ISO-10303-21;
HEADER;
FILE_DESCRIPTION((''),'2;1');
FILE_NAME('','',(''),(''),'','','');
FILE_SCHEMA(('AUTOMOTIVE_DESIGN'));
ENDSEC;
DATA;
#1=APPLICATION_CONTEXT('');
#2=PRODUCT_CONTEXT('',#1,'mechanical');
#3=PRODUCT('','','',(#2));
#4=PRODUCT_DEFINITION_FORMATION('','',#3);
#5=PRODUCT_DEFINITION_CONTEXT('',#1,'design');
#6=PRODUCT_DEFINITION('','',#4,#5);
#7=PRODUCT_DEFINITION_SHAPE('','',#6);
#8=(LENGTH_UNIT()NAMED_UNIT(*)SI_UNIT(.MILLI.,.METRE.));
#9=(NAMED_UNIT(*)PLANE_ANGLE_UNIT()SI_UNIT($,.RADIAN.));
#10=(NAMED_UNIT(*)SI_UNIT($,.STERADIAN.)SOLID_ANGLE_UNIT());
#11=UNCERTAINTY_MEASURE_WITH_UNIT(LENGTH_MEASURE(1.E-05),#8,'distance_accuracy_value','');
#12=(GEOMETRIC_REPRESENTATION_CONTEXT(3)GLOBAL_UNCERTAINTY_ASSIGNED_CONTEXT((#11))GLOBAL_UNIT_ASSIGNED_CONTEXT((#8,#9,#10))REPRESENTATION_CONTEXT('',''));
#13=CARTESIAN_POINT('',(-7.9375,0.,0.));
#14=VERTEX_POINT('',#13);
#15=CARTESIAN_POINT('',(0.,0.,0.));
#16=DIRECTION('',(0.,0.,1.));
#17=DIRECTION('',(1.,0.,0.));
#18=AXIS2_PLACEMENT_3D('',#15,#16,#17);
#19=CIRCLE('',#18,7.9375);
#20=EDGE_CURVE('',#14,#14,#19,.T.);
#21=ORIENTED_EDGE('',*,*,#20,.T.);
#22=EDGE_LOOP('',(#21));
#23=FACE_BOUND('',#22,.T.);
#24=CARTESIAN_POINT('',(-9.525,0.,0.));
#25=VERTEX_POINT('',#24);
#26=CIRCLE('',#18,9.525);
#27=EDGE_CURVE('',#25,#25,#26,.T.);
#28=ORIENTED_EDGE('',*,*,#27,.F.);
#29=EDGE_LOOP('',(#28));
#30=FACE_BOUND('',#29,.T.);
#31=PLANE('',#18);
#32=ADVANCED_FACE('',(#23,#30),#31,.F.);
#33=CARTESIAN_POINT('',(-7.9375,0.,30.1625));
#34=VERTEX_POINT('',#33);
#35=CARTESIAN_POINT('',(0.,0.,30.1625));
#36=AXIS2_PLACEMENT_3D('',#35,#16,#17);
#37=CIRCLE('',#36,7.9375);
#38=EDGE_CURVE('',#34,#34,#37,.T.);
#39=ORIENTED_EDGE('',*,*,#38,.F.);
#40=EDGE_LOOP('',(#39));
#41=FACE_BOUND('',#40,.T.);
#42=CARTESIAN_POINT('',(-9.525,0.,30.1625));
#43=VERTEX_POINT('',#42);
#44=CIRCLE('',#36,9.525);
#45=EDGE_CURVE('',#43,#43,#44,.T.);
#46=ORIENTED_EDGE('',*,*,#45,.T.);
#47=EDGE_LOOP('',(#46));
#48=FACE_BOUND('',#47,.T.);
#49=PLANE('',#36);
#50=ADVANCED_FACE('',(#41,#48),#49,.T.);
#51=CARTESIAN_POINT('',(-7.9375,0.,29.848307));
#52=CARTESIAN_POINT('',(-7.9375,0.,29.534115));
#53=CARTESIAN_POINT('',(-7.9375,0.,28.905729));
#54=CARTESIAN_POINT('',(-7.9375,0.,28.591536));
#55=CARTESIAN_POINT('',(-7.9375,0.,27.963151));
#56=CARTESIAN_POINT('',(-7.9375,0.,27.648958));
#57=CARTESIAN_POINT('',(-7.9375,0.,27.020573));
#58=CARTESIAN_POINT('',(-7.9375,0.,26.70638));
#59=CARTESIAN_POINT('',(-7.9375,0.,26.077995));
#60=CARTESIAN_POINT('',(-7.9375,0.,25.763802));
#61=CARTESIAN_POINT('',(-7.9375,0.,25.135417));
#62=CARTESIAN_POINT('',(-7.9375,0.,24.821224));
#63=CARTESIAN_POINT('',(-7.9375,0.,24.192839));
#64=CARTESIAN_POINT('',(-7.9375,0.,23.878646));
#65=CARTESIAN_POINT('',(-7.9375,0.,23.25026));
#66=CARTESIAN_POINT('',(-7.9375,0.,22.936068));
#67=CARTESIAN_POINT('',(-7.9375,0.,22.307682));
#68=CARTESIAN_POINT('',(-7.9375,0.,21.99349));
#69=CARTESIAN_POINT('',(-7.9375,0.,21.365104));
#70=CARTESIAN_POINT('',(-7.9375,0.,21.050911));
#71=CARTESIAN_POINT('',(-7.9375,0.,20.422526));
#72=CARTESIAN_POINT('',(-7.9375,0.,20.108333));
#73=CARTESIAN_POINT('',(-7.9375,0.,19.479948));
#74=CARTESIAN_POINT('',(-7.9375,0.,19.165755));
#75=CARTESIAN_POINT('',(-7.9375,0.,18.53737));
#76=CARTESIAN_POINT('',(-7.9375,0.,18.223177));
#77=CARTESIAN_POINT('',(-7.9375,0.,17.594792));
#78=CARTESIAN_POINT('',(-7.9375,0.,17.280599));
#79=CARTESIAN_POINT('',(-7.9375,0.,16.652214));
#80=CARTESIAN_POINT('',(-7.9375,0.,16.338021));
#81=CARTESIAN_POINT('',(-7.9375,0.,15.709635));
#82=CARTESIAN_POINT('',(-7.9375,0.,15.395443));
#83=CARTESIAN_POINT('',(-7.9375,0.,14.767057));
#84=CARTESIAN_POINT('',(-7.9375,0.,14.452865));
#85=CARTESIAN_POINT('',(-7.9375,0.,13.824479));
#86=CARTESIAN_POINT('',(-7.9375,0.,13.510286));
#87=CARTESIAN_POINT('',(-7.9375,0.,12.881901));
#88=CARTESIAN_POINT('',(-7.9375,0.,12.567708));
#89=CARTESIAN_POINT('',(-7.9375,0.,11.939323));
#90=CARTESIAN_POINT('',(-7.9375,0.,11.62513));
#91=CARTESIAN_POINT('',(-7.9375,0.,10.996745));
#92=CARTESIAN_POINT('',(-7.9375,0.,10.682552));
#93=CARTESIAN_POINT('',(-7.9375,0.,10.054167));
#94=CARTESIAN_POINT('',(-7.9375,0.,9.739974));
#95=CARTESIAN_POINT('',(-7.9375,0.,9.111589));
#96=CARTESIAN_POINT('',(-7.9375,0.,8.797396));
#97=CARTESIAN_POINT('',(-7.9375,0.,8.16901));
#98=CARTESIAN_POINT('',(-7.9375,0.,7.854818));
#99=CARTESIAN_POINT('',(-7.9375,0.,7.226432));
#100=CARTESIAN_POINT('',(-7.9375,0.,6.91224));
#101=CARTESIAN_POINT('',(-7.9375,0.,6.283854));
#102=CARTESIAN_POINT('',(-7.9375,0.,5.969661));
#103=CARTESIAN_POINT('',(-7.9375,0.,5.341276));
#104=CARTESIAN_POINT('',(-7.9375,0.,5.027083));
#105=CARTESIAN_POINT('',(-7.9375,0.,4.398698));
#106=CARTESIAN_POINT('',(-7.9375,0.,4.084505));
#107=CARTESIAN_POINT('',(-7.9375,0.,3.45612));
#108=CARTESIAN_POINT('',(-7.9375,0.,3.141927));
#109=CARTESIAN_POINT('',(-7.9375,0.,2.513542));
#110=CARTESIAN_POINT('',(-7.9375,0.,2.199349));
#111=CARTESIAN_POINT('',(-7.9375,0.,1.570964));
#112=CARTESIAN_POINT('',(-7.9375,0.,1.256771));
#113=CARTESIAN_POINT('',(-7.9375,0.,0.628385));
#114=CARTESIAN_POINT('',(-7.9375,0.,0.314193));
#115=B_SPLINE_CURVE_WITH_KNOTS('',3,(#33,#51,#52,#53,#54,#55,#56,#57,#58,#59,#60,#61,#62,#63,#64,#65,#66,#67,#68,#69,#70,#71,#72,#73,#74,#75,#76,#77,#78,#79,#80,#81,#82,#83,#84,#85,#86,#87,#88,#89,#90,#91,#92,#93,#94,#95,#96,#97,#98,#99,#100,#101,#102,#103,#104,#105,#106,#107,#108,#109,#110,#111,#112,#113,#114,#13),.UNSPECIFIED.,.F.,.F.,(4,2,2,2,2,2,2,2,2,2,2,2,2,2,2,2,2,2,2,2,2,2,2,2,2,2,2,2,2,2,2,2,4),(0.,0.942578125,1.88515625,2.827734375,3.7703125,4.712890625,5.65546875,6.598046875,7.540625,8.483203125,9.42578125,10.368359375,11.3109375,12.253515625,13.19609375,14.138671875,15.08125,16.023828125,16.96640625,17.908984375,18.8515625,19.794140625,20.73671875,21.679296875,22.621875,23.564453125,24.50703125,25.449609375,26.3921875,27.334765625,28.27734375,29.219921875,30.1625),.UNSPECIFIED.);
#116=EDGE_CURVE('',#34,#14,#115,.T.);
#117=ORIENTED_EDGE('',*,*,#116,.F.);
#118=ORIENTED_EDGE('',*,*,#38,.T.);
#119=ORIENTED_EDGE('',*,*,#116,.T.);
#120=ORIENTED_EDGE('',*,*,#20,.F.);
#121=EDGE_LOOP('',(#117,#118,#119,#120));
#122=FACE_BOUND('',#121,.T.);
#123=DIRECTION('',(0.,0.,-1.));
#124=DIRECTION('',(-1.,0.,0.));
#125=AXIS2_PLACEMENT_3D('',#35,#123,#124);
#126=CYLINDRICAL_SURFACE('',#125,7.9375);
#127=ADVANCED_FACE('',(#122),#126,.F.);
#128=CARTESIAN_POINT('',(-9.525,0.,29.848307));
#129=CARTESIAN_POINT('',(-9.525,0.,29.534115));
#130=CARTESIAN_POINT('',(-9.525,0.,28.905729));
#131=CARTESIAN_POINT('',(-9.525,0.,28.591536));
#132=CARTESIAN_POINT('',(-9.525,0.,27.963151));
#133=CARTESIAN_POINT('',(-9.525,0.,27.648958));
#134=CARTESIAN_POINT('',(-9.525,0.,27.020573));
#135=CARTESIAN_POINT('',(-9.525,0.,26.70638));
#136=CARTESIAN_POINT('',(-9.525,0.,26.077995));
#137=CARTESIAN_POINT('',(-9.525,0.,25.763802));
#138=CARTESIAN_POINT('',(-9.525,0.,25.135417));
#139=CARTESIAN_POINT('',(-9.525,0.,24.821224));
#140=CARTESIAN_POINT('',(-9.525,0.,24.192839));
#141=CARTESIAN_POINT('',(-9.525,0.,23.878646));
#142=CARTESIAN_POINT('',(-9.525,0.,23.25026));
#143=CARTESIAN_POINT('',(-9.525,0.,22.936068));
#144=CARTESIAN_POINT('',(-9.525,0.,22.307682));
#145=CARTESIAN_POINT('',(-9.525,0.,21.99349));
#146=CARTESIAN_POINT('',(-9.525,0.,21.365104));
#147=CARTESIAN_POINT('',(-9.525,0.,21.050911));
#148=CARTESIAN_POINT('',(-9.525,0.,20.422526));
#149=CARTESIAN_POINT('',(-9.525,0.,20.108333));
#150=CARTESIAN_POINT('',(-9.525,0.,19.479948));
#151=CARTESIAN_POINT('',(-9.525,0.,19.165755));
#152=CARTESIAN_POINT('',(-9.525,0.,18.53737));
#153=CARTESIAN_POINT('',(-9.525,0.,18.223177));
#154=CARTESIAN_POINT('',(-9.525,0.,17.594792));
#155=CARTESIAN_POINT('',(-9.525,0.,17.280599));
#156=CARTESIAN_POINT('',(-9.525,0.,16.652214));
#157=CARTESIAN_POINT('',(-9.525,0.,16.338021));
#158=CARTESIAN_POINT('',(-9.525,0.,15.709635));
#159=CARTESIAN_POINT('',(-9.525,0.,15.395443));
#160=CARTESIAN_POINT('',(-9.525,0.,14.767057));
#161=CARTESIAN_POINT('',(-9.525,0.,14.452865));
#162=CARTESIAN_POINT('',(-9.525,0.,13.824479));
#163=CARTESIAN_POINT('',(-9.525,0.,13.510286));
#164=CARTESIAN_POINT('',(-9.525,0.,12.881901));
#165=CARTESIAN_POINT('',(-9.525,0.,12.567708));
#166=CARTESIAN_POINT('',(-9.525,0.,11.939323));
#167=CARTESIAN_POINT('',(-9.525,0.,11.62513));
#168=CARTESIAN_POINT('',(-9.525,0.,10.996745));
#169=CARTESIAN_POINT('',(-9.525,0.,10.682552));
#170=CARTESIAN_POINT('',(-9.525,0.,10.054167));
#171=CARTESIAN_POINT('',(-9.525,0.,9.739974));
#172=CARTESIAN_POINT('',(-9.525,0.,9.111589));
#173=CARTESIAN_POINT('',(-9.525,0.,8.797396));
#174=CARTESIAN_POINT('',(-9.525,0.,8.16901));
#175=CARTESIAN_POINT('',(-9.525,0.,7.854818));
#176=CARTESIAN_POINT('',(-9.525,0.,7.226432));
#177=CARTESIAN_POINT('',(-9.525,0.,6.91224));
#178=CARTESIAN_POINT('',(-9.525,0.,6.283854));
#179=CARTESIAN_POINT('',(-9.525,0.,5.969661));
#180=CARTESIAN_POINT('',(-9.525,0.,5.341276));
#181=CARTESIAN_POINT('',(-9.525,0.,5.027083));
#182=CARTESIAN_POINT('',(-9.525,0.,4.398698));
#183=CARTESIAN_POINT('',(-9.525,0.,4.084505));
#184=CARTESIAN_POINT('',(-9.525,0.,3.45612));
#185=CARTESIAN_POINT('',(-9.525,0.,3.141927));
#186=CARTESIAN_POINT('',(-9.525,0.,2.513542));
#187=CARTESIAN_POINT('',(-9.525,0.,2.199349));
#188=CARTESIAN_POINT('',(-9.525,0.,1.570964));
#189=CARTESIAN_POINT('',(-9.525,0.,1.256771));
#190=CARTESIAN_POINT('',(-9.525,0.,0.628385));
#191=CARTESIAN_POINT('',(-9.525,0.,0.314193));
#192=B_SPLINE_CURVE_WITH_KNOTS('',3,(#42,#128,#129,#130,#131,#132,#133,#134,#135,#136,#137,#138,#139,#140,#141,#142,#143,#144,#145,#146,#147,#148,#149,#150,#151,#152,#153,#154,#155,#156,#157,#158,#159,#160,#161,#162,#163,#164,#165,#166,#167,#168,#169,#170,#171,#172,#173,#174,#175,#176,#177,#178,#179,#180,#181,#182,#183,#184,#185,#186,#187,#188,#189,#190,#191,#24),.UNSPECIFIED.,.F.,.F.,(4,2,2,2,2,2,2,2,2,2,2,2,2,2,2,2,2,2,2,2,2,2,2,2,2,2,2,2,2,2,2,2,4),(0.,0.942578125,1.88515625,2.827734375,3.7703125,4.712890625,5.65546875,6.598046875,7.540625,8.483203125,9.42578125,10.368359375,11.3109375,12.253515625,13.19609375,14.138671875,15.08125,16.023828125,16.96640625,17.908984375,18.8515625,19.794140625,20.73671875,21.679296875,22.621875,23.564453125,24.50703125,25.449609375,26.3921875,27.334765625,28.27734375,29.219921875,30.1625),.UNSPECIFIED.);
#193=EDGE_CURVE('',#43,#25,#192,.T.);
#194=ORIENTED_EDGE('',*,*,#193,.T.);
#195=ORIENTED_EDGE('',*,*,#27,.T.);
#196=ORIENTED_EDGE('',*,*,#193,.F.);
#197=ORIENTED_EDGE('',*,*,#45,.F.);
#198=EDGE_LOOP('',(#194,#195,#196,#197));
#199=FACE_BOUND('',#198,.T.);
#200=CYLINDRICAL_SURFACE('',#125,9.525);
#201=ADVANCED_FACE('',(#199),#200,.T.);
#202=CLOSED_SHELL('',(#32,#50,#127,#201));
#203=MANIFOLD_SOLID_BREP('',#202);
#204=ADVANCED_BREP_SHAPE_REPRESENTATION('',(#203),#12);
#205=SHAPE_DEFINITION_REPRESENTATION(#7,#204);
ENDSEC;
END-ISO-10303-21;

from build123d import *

# Parameters (mm, degrees)
SKETCH1_R           = 9.525
SKETCH1_R_2         = 7.9375
BOSS_EXTRUDE1_DEPTH = 30.1625


with BuildPart() as part:
    # Sketch1 → Boss-Extrude1 (new body)
    with BuildSketch(Plane.XY):
        with Locations(Location((0, 0, 0), (0, 0, 180))):
            Circle(SKETCH1_R)
        with Locations(Location((0, 0, 0), (0, 0, 180))):
            Circle(SKETCH1_R_2, mode=Mode.SUBTRACT)
    extrude(amount=BOSS_EXTRUDE1_DEPTH)


solid = part.part
